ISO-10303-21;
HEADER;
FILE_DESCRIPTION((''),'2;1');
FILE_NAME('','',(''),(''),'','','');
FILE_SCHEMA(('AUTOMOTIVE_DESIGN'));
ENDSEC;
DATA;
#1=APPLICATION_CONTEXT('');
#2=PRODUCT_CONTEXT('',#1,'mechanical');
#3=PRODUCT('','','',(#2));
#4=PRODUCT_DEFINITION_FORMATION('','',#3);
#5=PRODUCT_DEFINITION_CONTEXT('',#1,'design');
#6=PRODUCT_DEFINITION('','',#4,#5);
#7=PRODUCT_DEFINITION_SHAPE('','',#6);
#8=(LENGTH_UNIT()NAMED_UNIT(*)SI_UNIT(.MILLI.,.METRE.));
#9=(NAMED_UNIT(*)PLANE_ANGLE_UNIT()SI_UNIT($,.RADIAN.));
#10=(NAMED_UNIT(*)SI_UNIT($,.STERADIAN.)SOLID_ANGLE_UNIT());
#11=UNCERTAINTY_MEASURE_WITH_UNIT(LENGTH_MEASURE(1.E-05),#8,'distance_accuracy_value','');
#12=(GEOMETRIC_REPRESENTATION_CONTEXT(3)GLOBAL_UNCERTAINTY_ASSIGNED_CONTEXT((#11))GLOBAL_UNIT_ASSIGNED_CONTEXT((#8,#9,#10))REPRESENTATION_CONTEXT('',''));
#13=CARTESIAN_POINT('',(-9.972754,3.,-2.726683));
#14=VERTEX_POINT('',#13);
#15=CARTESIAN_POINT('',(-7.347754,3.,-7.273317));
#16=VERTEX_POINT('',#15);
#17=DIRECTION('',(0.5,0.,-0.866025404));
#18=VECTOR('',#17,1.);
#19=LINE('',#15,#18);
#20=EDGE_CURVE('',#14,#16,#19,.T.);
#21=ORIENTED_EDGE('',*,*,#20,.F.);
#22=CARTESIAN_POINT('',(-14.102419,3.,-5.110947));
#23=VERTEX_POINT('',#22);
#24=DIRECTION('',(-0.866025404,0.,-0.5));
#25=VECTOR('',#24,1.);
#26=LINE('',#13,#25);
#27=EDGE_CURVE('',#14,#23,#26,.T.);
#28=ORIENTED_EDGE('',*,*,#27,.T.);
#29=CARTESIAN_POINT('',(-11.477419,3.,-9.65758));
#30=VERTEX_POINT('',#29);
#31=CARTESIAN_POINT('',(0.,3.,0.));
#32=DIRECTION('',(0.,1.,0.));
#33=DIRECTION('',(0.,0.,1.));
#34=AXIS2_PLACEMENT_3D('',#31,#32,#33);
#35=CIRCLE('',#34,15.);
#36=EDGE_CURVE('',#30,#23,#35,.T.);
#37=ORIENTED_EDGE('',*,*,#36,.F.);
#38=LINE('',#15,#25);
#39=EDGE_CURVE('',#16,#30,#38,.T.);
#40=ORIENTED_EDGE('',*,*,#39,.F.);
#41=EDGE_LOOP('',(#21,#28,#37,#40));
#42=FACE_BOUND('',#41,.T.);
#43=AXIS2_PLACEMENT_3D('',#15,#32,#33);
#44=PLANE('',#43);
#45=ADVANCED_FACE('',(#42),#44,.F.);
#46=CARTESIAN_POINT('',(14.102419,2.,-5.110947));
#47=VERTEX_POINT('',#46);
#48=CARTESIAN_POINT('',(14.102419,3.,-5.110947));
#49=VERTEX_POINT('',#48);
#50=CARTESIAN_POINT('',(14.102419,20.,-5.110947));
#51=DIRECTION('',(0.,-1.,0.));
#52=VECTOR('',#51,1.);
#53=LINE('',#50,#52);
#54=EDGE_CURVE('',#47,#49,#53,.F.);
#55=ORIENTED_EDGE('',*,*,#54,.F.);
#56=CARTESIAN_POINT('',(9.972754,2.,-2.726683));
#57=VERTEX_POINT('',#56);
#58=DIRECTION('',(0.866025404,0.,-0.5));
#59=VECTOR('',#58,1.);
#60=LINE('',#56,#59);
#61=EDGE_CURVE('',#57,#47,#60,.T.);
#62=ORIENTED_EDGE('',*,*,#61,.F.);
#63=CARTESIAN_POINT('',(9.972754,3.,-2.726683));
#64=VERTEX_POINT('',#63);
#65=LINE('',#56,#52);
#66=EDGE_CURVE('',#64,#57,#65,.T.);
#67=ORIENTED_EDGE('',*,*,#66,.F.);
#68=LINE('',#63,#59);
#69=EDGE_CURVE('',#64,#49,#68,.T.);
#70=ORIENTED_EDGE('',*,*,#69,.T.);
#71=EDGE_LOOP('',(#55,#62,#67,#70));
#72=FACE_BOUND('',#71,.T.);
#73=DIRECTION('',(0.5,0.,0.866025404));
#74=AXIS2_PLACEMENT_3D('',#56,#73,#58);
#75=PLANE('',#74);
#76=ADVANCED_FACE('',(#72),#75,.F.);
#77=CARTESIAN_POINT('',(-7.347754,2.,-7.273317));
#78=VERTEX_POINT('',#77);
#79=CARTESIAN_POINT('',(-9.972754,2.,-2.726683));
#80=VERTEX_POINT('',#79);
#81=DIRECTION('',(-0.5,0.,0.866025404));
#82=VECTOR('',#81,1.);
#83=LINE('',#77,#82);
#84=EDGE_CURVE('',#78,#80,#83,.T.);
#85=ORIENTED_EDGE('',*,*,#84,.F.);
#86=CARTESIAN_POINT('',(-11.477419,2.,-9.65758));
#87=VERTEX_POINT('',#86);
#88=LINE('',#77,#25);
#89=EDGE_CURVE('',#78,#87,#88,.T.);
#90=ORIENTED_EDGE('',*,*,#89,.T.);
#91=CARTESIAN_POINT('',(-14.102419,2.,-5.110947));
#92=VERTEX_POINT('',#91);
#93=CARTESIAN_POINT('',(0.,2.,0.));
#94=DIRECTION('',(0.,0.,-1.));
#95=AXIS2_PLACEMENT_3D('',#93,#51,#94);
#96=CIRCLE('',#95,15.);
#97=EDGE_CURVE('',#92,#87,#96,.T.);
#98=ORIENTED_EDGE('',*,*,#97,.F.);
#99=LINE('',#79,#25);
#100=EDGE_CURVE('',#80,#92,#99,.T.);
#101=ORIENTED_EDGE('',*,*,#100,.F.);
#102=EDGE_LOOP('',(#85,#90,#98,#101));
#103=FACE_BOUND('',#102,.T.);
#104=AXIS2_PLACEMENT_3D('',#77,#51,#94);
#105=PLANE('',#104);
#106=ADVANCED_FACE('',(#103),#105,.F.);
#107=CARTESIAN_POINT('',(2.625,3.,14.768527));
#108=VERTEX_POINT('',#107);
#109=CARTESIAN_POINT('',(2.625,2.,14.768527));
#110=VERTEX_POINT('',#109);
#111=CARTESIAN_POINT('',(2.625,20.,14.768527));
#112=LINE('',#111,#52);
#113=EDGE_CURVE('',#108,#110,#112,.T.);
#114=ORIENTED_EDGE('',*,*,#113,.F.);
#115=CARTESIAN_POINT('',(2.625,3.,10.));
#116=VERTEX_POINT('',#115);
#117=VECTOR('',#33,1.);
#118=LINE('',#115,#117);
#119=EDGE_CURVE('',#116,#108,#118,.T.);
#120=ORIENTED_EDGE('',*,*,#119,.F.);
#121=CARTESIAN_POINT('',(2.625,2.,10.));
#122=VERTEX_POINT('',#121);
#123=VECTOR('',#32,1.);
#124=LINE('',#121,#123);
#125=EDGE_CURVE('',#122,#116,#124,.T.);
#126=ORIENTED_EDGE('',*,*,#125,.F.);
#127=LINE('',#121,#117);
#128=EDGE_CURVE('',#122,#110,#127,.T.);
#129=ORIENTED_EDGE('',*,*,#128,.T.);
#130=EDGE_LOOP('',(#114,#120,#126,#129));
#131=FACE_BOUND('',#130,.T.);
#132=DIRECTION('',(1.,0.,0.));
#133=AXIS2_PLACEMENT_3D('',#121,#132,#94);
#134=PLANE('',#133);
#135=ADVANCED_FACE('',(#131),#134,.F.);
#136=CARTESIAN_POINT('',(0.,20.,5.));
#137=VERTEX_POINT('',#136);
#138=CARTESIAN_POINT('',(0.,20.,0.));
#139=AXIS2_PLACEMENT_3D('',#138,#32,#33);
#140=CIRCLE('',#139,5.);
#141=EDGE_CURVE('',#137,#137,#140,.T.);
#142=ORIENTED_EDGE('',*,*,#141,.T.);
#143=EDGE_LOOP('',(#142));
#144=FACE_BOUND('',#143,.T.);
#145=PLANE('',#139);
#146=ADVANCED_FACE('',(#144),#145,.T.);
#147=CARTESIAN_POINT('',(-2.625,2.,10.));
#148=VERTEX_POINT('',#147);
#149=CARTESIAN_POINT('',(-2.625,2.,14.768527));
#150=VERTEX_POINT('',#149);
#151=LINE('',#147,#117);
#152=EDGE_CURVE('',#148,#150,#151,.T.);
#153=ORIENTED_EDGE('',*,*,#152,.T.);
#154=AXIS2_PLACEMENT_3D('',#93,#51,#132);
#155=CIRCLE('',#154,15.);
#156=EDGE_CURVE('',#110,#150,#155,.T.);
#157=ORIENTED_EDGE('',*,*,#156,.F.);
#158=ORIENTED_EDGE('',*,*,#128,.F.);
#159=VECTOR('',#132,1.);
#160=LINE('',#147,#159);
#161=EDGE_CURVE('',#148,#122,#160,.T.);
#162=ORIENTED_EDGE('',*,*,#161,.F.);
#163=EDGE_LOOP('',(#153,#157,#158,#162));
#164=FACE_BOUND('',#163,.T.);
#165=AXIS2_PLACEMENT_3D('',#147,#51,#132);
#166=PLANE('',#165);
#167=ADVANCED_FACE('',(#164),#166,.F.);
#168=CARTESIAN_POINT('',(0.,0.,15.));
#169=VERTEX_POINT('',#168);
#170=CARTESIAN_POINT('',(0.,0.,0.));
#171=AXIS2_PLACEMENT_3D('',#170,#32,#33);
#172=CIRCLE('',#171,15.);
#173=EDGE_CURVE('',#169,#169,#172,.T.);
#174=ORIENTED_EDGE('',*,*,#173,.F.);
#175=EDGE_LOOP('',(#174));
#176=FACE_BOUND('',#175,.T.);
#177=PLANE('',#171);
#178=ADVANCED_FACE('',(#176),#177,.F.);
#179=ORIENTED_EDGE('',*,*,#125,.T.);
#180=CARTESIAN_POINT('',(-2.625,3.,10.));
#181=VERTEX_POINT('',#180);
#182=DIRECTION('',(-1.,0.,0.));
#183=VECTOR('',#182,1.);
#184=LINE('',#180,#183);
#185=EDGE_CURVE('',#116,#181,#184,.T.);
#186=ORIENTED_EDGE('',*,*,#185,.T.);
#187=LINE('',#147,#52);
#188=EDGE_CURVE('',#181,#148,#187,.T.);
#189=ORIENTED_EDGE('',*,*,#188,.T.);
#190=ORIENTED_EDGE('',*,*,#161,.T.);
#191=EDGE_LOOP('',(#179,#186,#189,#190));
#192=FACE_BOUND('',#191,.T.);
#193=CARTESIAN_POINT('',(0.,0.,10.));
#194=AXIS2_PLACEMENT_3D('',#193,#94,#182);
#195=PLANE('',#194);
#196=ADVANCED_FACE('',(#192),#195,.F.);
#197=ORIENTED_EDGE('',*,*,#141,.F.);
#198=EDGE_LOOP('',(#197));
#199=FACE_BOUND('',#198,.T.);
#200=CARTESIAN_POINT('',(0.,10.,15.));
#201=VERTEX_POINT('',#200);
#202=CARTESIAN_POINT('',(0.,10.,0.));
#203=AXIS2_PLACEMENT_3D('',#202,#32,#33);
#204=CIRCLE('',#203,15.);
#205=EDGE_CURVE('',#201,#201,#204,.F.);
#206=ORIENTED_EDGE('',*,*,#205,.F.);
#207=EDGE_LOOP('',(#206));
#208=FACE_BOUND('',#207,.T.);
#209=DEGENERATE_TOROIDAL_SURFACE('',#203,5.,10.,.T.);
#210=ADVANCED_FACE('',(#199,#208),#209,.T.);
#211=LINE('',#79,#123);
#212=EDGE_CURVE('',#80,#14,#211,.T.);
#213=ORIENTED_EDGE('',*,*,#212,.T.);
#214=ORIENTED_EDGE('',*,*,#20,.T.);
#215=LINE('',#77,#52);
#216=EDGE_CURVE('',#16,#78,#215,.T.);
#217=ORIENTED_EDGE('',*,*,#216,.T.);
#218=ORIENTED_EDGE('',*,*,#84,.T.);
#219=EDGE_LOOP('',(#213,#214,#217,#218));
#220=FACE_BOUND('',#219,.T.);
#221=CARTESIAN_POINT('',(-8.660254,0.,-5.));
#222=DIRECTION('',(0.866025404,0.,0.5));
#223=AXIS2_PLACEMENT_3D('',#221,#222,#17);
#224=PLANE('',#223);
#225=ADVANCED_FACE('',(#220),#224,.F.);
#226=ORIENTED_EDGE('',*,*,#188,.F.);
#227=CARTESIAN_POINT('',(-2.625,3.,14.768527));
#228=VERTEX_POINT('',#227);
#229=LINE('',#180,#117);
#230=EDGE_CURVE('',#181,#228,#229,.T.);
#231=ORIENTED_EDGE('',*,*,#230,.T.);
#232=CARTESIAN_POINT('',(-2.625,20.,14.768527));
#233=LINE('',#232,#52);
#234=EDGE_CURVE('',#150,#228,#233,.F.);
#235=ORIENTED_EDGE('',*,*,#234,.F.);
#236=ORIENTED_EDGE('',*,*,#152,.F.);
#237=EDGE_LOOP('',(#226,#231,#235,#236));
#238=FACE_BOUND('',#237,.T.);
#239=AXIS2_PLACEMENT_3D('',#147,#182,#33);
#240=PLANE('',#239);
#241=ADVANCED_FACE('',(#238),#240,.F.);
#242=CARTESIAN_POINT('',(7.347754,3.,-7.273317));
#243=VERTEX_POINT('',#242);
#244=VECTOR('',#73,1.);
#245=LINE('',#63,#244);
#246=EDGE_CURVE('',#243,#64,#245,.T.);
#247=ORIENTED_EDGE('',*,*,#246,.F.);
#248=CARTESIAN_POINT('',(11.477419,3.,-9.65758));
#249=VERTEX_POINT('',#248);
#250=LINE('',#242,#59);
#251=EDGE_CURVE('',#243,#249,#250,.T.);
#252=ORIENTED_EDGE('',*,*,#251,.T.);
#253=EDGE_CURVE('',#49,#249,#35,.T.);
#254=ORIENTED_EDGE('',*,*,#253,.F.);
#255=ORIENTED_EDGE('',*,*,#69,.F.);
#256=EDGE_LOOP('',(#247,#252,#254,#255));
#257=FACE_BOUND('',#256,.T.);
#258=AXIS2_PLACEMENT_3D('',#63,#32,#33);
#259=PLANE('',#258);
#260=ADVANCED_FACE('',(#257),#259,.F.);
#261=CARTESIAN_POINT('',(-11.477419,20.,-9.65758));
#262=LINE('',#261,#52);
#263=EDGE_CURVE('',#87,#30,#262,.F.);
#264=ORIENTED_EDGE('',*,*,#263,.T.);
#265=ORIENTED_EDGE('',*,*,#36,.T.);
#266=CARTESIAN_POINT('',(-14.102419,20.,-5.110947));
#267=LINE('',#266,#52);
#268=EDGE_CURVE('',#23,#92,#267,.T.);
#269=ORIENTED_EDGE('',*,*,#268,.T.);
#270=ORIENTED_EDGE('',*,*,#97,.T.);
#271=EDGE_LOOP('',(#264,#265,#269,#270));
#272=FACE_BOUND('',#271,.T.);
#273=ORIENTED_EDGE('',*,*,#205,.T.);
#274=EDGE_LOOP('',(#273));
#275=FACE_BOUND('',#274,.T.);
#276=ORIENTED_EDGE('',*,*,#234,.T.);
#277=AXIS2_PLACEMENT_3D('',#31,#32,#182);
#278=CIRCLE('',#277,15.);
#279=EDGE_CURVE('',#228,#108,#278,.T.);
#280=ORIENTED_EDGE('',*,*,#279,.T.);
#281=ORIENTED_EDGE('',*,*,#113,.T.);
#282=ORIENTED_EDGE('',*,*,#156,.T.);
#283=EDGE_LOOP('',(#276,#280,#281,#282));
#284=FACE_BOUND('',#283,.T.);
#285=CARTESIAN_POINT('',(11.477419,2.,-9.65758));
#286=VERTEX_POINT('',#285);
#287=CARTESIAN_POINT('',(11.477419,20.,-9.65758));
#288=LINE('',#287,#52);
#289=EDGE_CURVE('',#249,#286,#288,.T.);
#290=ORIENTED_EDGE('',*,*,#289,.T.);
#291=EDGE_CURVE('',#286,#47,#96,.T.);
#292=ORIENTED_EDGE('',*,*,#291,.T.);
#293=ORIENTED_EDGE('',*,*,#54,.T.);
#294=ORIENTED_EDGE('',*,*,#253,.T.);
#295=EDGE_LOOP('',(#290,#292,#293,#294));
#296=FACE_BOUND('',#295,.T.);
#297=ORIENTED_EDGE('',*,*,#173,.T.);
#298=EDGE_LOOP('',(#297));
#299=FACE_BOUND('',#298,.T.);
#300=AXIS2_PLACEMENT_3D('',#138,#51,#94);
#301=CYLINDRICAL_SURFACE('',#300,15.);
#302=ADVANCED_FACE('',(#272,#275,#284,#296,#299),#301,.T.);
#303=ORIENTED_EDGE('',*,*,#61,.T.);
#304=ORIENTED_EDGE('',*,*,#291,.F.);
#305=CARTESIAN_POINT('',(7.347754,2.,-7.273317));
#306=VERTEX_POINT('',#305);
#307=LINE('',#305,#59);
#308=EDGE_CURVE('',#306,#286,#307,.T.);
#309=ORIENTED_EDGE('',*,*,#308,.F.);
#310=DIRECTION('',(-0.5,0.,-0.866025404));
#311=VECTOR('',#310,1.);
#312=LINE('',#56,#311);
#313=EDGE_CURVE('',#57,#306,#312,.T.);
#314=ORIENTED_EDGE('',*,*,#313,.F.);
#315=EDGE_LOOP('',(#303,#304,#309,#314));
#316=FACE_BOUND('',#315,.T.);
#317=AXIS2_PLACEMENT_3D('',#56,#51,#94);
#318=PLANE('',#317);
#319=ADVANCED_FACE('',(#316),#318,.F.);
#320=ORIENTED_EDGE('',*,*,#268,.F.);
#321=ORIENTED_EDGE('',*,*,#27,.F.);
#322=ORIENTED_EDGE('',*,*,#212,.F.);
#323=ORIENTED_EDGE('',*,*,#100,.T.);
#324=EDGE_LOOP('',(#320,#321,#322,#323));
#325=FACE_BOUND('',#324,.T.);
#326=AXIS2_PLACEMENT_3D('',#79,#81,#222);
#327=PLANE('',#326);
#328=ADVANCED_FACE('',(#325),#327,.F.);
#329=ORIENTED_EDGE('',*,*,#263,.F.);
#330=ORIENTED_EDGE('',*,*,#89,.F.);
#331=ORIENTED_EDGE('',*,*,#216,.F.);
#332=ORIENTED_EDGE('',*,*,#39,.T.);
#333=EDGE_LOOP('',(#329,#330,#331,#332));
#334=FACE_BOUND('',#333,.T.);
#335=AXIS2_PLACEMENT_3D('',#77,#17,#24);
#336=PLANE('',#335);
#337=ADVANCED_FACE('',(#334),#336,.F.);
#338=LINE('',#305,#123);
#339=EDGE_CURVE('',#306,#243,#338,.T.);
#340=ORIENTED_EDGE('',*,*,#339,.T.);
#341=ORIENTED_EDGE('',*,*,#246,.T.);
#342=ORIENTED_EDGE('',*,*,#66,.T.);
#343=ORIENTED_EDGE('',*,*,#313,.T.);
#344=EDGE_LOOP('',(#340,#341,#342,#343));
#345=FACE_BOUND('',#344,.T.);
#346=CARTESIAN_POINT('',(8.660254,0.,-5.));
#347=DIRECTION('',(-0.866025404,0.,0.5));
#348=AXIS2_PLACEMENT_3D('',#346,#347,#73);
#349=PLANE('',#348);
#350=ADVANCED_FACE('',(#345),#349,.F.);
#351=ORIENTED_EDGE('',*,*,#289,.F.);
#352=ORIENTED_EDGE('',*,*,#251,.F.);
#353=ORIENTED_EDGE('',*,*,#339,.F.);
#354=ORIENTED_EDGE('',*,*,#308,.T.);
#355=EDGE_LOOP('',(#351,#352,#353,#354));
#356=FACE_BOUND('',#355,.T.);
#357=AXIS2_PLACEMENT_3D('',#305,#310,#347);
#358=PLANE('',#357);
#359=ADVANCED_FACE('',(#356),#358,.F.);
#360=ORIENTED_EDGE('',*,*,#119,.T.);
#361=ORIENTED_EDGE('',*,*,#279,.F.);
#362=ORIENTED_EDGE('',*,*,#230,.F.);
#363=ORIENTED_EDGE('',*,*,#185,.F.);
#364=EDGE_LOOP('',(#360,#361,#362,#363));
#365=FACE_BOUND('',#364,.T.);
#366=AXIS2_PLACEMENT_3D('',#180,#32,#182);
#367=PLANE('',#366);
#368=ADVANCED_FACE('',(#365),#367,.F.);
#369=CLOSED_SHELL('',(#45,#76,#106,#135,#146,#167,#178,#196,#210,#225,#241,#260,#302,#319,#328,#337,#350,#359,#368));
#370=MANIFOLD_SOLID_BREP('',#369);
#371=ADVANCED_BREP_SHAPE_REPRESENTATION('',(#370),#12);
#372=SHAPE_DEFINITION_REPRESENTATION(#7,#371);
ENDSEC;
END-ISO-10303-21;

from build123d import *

# Parameters (mm, degrees)
SKETCH1_R           = 15
BOSS_EXTRUDE1_DEPTH = 20
FILLET1_R           = 10
CUT_EXTRUDE1_START  = 40
SKETCH2_W           = 5.25
SKETCH2_H           = 1
CUT_EXTRUDE1_DEPTH  = 30
CIRPATTERN1_COUNT   = 3


with BuildPart() as part:
    # Sketch1 → Boss-Extrude1 (new body)
    with BuildSketch(Plane(origin=(0, 0, 0), x_dir=(1, 0, 0), z_dir=(0, 1, 0))):
        Circle(SKETCH1_R)
    extrude(amount=BOSS_EXTRUDE1_DEPTH)

    # Fillet1
    fillet1_edges = [part.edges().sort_by_distance(p)[0] for p in [
        (-15, 20, 0),
    ]]
    fillet(fillet1_edges, radius=FILLET1_R)

    # Sketch2 → Cut-Extrude1 (cut)
    with BuildSketch(Plane.XY.offset(CUT_EXTRUDE1_START)):
        with Locations((0, 2.5)):
            Rectangle(SKETCH2_W, SKETCH2_H)
    cut_extrude1 = extrude(amount=-CUT_EXTRUDE1_DEPTH, mode=Mode.SUBTRACT)

    # CirPattern1: Cut-Extrude1 ×3 about axis
    cirpattern1_axis = Axis((0, 0, 0), (0, 1, 0))
    for i in range(1, CIRPATTERN1_COUNT):
        add(cut_extrude1.rotate(cirpattern1_axis, i * 360 / CIRPATTERN1_COUNT), mode=Mode.SUBTRACT)


solid = part.part
